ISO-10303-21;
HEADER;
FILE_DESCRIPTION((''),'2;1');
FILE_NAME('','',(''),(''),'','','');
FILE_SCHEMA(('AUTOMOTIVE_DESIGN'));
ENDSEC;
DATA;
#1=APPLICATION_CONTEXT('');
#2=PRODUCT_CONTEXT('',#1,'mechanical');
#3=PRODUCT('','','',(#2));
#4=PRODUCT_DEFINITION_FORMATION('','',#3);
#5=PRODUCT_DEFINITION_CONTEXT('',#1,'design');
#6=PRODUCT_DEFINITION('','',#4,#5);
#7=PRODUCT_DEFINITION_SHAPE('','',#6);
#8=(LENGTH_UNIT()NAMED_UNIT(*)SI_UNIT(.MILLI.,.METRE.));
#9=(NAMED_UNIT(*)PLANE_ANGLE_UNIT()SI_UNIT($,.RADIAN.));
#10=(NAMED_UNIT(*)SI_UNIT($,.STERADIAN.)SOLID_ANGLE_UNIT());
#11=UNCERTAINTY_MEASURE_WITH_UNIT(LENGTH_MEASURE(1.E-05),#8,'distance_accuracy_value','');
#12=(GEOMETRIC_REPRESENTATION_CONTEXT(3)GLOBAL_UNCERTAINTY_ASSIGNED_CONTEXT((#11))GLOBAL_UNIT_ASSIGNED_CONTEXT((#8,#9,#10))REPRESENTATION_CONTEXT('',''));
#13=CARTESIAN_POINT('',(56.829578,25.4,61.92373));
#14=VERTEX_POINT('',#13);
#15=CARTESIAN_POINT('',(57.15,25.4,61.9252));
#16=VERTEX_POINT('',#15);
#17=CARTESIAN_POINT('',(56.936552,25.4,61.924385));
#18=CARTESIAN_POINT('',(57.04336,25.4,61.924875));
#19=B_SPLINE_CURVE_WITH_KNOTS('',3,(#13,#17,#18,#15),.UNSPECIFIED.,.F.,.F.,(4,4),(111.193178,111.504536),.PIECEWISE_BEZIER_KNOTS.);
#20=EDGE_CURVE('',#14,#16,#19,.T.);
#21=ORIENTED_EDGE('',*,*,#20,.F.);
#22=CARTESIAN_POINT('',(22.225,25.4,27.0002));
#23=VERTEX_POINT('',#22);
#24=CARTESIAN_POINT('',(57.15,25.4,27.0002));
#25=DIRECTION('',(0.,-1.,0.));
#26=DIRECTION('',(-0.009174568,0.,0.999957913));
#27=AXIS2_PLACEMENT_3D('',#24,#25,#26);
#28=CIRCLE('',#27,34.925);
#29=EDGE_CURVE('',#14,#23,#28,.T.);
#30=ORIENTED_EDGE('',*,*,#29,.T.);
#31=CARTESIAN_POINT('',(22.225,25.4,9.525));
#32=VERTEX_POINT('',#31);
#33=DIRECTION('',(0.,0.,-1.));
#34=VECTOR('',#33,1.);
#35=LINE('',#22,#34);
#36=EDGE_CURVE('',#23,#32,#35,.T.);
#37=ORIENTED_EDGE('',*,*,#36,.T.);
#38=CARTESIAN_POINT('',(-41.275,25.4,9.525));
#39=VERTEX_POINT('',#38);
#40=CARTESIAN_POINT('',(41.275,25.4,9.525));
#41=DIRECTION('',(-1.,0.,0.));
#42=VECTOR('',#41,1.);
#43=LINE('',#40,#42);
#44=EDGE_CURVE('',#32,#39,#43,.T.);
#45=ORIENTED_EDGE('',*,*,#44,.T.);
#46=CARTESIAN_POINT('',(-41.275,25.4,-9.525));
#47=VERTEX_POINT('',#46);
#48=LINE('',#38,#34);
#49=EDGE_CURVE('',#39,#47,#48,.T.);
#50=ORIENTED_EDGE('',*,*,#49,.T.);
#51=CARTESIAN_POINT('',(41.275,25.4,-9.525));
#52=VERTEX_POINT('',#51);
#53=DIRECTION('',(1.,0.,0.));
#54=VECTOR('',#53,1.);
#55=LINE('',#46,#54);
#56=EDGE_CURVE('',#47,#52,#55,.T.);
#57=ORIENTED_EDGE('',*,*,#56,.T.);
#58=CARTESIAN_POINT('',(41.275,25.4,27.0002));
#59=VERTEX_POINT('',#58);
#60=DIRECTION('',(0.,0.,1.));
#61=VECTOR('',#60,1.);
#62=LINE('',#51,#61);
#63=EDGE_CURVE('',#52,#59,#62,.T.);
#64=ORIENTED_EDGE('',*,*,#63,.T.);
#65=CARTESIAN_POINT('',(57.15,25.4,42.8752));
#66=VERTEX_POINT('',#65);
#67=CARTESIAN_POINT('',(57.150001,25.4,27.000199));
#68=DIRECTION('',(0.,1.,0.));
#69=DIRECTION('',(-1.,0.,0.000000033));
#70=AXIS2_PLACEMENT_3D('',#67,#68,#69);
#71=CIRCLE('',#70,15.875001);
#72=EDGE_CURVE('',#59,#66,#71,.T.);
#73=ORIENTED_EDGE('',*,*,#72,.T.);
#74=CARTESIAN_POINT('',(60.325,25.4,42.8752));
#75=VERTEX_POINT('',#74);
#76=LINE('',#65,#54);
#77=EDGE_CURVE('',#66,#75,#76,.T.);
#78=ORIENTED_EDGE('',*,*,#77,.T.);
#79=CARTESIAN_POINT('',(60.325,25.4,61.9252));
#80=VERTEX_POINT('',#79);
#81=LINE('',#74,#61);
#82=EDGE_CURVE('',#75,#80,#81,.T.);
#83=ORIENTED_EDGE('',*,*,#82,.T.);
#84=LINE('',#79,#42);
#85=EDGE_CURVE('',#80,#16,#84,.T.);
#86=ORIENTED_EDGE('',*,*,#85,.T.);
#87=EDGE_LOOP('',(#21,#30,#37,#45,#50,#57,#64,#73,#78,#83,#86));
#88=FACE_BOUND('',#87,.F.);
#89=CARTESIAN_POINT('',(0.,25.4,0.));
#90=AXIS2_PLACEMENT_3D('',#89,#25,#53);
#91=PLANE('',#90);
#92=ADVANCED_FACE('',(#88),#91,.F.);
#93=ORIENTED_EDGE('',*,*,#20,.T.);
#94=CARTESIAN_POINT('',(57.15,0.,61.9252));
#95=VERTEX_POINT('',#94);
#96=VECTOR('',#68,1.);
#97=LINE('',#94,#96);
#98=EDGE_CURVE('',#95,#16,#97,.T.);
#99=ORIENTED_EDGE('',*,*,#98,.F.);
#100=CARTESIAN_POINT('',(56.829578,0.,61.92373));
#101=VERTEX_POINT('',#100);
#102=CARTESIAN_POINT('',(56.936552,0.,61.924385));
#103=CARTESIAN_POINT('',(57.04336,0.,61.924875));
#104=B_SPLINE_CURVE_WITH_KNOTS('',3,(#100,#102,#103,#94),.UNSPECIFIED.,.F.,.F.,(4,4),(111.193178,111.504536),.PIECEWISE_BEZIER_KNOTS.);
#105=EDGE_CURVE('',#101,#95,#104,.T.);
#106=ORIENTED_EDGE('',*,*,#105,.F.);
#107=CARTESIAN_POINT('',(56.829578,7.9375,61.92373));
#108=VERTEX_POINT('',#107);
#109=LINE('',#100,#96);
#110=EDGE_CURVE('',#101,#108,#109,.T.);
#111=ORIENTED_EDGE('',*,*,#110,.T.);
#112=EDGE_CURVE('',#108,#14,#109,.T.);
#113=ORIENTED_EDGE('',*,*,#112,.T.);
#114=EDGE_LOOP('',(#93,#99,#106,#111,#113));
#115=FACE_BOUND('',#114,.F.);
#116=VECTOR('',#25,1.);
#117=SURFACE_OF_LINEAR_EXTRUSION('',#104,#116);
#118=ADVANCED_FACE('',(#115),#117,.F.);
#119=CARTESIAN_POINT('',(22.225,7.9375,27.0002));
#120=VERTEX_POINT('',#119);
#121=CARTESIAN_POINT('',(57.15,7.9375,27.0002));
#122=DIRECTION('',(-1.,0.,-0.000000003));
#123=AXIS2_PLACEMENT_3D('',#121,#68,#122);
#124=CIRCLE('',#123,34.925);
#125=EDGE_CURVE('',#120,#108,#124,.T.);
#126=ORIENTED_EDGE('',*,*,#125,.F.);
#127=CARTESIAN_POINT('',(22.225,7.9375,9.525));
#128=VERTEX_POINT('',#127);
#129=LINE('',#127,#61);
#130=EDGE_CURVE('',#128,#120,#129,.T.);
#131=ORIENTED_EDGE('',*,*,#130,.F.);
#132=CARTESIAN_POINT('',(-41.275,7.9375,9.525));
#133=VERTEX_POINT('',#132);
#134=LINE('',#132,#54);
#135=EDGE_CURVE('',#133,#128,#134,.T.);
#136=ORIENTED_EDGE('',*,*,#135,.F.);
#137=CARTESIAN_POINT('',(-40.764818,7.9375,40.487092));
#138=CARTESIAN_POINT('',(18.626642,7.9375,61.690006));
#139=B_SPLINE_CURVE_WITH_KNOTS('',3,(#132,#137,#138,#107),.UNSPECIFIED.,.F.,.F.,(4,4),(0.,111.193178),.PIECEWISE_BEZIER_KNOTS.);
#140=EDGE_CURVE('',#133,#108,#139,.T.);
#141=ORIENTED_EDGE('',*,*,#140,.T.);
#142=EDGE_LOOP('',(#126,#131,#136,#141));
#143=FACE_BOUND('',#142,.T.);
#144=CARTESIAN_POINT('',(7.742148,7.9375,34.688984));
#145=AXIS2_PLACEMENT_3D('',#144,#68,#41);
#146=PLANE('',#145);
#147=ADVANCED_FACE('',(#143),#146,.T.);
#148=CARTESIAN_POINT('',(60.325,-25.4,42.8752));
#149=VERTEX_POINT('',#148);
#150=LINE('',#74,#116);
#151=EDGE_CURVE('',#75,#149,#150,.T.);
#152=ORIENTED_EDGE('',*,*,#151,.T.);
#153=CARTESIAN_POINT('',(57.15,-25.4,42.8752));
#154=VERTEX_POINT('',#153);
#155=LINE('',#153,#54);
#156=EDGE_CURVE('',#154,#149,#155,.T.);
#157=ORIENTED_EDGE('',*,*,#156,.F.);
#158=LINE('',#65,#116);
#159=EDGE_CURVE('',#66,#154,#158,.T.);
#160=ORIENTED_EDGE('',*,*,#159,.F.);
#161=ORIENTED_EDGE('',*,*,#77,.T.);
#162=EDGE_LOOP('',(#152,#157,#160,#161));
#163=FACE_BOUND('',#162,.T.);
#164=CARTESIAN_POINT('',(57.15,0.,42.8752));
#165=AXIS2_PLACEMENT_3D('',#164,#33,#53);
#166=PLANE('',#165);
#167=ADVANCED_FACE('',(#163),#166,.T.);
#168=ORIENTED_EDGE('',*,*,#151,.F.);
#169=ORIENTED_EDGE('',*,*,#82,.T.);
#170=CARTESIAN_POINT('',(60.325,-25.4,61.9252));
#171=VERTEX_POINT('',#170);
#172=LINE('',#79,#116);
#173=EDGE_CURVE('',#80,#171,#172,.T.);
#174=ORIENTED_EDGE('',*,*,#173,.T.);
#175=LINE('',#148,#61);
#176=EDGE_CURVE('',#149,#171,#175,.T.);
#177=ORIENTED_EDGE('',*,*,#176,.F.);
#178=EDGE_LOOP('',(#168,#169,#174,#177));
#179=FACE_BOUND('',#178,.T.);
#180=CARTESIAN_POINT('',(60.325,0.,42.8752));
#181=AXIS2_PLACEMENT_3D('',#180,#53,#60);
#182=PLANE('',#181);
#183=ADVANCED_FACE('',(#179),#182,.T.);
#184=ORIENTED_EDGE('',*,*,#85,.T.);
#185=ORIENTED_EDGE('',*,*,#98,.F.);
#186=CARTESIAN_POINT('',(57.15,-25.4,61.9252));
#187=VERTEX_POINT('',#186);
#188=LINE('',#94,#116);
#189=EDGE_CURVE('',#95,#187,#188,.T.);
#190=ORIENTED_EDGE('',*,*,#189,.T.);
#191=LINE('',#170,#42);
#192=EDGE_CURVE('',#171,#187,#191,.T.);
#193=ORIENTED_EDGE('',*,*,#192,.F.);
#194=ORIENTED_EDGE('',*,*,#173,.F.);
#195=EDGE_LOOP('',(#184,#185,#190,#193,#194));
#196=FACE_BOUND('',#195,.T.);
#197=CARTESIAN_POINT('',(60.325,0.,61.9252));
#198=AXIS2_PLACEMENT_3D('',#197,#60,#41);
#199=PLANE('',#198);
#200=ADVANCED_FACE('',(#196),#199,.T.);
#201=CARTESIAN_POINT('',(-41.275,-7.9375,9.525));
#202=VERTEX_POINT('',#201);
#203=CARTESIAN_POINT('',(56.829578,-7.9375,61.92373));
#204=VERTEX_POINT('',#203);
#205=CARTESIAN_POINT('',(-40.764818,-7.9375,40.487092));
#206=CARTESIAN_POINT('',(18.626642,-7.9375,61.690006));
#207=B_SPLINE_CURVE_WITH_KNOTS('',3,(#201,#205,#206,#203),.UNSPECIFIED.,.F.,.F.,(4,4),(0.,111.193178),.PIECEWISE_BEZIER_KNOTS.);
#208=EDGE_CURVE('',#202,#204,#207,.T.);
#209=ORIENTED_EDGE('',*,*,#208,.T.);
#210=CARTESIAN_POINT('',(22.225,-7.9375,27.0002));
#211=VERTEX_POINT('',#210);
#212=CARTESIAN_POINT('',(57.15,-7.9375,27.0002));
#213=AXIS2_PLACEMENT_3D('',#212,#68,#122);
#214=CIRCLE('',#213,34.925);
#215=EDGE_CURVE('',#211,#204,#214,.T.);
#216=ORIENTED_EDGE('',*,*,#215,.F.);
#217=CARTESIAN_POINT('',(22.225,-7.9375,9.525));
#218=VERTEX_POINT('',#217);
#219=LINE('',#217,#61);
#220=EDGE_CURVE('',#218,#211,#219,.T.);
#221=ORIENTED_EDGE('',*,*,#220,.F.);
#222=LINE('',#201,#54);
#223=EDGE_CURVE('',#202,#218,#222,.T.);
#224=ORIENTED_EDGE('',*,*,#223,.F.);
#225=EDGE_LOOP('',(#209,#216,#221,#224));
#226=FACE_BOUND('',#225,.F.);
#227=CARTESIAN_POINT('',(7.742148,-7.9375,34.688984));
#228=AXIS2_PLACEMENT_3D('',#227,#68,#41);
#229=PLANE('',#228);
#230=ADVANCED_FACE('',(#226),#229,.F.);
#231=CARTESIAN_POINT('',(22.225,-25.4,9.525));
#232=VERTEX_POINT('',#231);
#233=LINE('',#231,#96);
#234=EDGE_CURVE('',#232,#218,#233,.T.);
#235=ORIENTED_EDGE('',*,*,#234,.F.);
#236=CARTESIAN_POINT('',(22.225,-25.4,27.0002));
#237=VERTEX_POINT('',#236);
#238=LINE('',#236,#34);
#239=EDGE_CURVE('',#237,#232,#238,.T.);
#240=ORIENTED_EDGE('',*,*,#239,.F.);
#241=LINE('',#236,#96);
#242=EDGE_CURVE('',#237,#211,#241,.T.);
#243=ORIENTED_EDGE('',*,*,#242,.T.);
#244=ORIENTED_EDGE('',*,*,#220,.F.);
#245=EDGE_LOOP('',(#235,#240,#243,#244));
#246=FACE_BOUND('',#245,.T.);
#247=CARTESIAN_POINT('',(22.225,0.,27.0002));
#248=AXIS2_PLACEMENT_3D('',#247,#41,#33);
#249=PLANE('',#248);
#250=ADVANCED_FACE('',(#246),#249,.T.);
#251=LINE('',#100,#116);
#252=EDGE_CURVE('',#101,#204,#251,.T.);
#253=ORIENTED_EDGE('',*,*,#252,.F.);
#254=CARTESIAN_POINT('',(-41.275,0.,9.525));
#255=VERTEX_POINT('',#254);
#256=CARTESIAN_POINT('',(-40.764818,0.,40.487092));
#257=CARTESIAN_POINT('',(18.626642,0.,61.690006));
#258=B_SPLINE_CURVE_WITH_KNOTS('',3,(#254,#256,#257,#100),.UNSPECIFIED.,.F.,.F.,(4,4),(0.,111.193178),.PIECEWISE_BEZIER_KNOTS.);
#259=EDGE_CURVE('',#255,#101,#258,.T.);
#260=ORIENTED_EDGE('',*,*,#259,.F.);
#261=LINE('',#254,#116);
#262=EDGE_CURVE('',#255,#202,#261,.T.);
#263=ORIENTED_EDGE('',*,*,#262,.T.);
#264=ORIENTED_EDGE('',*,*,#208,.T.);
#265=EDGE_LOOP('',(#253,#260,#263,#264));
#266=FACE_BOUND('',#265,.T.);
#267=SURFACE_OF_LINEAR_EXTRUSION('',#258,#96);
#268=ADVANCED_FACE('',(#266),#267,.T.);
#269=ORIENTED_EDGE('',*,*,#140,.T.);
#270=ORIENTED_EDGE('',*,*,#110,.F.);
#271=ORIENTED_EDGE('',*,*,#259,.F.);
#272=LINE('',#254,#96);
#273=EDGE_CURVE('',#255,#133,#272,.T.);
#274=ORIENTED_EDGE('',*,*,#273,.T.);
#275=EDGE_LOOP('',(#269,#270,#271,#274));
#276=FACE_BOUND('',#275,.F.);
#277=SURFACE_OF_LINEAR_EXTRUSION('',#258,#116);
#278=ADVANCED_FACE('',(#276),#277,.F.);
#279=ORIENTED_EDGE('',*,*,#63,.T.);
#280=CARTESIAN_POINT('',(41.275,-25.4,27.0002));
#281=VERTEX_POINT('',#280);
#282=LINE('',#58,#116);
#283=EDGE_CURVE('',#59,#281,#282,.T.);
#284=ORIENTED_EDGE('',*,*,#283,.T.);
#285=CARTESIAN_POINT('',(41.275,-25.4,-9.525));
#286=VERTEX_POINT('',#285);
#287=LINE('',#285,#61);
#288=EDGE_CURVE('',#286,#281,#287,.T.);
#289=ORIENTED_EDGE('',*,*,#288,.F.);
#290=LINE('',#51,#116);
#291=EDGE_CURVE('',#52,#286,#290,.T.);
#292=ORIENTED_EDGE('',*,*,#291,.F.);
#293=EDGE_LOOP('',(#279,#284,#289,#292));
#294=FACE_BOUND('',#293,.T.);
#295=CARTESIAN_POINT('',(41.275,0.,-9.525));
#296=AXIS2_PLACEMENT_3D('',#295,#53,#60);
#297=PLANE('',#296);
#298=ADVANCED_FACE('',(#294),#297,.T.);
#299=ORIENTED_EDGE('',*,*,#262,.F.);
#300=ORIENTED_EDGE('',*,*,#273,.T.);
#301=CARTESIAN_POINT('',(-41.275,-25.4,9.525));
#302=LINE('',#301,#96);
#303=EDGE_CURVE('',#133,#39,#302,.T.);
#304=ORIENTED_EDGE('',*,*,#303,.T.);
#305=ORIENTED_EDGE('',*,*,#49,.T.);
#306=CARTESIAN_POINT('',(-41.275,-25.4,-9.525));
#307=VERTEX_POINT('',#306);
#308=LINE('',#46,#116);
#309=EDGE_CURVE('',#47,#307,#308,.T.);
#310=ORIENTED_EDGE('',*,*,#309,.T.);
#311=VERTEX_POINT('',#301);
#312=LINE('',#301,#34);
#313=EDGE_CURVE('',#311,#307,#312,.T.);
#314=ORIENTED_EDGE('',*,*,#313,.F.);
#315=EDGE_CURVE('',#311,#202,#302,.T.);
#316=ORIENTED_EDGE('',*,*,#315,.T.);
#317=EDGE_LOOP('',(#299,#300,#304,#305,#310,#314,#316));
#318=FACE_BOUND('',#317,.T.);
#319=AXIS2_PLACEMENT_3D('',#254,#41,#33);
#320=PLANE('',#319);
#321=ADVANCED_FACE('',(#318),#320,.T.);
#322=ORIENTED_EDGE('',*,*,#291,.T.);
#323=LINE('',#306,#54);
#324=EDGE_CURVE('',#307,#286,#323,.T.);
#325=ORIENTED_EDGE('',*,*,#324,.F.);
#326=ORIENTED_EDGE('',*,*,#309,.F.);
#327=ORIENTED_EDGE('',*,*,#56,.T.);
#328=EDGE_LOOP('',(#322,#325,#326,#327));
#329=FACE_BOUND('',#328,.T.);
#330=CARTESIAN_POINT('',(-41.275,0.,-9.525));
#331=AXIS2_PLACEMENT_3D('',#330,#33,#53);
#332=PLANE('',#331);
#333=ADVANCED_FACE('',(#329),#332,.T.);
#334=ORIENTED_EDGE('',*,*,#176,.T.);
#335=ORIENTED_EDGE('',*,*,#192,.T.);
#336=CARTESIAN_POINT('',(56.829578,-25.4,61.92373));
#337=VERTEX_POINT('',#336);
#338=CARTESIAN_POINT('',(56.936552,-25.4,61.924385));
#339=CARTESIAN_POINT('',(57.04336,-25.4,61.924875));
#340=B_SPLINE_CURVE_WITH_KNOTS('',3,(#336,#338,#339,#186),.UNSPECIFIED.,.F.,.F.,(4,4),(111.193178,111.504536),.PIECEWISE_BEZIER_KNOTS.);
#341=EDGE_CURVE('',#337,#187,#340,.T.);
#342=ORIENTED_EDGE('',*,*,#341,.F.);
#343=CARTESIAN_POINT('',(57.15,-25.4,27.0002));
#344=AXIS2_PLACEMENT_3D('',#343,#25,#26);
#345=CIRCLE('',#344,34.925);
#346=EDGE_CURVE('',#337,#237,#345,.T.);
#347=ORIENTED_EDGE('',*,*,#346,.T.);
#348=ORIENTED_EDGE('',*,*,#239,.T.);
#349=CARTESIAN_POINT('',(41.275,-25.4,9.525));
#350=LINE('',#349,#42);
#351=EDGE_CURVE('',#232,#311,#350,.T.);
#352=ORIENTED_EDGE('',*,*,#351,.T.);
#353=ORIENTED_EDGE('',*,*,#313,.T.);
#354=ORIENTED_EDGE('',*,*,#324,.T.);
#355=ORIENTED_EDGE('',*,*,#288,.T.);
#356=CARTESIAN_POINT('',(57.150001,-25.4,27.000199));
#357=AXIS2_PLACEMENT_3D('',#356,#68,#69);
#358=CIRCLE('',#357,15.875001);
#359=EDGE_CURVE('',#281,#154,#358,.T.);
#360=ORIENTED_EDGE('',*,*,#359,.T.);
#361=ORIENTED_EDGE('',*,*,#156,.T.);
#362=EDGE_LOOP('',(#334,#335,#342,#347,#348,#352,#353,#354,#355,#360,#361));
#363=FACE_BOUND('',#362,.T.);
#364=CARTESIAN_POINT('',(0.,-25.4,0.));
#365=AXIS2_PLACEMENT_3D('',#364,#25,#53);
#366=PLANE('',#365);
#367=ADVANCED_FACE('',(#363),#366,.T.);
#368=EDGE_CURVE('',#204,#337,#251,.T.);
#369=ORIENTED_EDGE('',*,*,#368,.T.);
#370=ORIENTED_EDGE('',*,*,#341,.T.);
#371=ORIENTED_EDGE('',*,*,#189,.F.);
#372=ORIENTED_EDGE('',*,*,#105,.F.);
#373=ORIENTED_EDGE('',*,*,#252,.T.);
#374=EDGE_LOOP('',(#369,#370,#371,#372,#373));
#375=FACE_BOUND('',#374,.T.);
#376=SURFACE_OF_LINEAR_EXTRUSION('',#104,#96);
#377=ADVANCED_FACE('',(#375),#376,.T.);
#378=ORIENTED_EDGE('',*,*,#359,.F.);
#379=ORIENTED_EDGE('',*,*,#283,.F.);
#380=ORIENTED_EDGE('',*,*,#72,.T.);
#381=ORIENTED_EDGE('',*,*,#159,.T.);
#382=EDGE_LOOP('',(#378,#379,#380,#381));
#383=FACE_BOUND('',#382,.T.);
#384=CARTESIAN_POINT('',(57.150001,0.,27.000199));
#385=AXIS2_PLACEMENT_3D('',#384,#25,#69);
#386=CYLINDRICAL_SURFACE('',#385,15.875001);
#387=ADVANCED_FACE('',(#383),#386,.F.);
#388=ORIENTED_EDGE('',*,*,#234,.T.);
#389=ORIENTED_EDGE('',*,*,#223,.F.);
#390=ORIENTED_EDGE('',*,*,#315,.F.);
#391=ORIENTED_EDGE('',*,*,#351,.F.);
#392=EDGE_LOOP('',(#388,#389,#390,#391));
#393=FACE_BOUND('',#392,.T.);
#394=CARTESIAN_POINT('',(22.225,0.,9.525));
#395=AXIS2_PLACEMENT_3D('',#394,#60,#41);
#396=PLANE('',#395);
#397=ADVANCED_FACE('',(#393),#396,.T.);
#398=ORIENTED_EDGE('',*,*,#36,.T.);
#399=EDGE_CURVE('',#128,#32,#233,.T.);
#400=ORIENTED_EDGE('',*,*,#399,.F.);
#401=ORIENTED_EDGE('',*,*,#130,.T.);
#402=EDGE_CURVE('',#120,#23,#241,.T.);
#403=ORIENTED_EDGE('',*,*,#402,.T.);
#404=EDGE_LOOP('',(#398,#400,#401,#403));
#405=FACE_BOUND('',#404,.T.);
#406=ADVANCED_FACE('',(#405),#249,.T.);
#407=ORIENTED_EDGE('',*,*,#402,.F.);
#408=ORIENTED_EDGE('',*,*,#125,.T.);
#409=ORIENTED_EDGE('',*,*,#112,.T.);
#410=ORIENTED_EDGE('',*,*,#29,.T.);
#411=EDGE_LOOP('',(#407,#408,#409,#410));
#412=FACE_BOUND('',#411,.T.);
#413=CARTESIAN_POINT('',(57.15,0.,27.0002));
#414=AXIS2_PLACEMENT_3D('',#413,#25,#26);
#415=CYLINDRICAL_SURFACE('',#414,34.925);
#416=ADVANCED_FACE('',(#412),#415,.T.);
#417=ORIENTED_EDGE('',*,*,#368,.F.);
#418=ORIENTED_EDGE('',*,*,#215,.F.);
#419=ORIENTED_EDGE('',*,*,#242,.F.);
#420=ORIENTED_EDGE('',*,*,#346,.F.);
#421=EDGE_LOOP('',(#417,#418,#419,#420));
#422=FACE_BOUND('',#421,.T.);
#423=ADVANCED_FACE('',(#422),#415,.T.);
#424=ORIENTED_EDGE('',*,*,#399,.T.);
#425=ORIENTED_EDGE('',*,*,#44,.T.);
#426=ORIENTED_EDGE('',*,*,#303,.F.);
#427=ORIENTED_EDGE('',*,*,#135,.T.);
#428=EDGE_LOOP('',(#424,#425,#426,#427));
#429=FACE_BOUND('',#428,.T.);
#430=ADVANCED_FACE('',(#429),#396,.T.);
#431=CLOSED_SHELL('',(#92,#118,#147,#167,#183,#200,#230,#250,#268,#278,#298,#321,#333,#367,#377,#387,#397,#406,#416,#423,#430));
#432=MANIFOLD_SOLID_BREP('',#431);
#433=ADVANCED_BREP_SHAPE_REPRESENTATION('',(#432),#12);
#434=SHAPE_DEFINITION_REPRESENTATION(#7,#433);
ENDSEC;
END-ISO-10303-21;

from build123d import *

# Parameters (mm, degrees)
F1_DEPTH = 25.4
F2_DEPTH = 7.9375


with BuildPart() as f1:
    # F0 (on Front) → F1 (new body, symmetric)
    with BuildSketch(Plane.XZ):
        Polygon((22.225, 9.525), (-41.275, 9.525), (-41.275, -9.525), (41.275, -9.525), (41.275, 9.525), align=None)
        with BuildLine():
            Line((22.225, 27.0002), (22.225, 9.525))
            Line((22.225, 9.525), (41.275, 9.525))
            Line((41.275, 9.525), (41.275, 27.0002))
            ThreePointArc((41.275, 27.0002), (45.92468, 38.22552), (57.15, 42.8752))
            Line((57.15, 42.8752), (60.325, 42.8752))
            Line((60.325, 42.8752), (60.325, 61.9252))
            Line((60.325, 61.9252), (57.15, 61.9252))
            add(Edge.make_bspline(
                [(56.829578, 61.92373), (56.936552, 61.924385), (57.04336, 61.924875), (57.15, 61.9252)],
                knots=[111.193178, 111.193178, 111.193178, 111.193178, 111.504536, 111.504536, 111.504536, 111.504536], degree=3))
            ThreePointArc((56.829578, 61.92373), (32.341268, 51.582357), (22.225, 27.0002))
        make_face()
    extrude(amount=F1_DEPTH, both=True)

    # F0 (on Front) → F2 (join, symmetric)
    with BuildSketch(Plane.XZ):
        with BuildLine():
            add(Edge.make_bspline(
                [(-41.275, 9.525), (-40.764818, 40.487092), (18.626642, 61.690006), (56.829578, 61.92373)],
                knots=[0, 0, 0, 0, 111.193178, 111.193178, 111.193178, 111.193178], degree=3))
            Line((-41.275, 9.525), (22.225, 9.525))
            Line((22.225, 9.525), (22.225, 27.0002))
            ThreePointArc((22.225, 27.0002), (32.341268, 51.582357), (56.829578, 61.92373))
        make_face()
    extrude(amount=F2_DEPTH, both=True)


solid = f1.part
